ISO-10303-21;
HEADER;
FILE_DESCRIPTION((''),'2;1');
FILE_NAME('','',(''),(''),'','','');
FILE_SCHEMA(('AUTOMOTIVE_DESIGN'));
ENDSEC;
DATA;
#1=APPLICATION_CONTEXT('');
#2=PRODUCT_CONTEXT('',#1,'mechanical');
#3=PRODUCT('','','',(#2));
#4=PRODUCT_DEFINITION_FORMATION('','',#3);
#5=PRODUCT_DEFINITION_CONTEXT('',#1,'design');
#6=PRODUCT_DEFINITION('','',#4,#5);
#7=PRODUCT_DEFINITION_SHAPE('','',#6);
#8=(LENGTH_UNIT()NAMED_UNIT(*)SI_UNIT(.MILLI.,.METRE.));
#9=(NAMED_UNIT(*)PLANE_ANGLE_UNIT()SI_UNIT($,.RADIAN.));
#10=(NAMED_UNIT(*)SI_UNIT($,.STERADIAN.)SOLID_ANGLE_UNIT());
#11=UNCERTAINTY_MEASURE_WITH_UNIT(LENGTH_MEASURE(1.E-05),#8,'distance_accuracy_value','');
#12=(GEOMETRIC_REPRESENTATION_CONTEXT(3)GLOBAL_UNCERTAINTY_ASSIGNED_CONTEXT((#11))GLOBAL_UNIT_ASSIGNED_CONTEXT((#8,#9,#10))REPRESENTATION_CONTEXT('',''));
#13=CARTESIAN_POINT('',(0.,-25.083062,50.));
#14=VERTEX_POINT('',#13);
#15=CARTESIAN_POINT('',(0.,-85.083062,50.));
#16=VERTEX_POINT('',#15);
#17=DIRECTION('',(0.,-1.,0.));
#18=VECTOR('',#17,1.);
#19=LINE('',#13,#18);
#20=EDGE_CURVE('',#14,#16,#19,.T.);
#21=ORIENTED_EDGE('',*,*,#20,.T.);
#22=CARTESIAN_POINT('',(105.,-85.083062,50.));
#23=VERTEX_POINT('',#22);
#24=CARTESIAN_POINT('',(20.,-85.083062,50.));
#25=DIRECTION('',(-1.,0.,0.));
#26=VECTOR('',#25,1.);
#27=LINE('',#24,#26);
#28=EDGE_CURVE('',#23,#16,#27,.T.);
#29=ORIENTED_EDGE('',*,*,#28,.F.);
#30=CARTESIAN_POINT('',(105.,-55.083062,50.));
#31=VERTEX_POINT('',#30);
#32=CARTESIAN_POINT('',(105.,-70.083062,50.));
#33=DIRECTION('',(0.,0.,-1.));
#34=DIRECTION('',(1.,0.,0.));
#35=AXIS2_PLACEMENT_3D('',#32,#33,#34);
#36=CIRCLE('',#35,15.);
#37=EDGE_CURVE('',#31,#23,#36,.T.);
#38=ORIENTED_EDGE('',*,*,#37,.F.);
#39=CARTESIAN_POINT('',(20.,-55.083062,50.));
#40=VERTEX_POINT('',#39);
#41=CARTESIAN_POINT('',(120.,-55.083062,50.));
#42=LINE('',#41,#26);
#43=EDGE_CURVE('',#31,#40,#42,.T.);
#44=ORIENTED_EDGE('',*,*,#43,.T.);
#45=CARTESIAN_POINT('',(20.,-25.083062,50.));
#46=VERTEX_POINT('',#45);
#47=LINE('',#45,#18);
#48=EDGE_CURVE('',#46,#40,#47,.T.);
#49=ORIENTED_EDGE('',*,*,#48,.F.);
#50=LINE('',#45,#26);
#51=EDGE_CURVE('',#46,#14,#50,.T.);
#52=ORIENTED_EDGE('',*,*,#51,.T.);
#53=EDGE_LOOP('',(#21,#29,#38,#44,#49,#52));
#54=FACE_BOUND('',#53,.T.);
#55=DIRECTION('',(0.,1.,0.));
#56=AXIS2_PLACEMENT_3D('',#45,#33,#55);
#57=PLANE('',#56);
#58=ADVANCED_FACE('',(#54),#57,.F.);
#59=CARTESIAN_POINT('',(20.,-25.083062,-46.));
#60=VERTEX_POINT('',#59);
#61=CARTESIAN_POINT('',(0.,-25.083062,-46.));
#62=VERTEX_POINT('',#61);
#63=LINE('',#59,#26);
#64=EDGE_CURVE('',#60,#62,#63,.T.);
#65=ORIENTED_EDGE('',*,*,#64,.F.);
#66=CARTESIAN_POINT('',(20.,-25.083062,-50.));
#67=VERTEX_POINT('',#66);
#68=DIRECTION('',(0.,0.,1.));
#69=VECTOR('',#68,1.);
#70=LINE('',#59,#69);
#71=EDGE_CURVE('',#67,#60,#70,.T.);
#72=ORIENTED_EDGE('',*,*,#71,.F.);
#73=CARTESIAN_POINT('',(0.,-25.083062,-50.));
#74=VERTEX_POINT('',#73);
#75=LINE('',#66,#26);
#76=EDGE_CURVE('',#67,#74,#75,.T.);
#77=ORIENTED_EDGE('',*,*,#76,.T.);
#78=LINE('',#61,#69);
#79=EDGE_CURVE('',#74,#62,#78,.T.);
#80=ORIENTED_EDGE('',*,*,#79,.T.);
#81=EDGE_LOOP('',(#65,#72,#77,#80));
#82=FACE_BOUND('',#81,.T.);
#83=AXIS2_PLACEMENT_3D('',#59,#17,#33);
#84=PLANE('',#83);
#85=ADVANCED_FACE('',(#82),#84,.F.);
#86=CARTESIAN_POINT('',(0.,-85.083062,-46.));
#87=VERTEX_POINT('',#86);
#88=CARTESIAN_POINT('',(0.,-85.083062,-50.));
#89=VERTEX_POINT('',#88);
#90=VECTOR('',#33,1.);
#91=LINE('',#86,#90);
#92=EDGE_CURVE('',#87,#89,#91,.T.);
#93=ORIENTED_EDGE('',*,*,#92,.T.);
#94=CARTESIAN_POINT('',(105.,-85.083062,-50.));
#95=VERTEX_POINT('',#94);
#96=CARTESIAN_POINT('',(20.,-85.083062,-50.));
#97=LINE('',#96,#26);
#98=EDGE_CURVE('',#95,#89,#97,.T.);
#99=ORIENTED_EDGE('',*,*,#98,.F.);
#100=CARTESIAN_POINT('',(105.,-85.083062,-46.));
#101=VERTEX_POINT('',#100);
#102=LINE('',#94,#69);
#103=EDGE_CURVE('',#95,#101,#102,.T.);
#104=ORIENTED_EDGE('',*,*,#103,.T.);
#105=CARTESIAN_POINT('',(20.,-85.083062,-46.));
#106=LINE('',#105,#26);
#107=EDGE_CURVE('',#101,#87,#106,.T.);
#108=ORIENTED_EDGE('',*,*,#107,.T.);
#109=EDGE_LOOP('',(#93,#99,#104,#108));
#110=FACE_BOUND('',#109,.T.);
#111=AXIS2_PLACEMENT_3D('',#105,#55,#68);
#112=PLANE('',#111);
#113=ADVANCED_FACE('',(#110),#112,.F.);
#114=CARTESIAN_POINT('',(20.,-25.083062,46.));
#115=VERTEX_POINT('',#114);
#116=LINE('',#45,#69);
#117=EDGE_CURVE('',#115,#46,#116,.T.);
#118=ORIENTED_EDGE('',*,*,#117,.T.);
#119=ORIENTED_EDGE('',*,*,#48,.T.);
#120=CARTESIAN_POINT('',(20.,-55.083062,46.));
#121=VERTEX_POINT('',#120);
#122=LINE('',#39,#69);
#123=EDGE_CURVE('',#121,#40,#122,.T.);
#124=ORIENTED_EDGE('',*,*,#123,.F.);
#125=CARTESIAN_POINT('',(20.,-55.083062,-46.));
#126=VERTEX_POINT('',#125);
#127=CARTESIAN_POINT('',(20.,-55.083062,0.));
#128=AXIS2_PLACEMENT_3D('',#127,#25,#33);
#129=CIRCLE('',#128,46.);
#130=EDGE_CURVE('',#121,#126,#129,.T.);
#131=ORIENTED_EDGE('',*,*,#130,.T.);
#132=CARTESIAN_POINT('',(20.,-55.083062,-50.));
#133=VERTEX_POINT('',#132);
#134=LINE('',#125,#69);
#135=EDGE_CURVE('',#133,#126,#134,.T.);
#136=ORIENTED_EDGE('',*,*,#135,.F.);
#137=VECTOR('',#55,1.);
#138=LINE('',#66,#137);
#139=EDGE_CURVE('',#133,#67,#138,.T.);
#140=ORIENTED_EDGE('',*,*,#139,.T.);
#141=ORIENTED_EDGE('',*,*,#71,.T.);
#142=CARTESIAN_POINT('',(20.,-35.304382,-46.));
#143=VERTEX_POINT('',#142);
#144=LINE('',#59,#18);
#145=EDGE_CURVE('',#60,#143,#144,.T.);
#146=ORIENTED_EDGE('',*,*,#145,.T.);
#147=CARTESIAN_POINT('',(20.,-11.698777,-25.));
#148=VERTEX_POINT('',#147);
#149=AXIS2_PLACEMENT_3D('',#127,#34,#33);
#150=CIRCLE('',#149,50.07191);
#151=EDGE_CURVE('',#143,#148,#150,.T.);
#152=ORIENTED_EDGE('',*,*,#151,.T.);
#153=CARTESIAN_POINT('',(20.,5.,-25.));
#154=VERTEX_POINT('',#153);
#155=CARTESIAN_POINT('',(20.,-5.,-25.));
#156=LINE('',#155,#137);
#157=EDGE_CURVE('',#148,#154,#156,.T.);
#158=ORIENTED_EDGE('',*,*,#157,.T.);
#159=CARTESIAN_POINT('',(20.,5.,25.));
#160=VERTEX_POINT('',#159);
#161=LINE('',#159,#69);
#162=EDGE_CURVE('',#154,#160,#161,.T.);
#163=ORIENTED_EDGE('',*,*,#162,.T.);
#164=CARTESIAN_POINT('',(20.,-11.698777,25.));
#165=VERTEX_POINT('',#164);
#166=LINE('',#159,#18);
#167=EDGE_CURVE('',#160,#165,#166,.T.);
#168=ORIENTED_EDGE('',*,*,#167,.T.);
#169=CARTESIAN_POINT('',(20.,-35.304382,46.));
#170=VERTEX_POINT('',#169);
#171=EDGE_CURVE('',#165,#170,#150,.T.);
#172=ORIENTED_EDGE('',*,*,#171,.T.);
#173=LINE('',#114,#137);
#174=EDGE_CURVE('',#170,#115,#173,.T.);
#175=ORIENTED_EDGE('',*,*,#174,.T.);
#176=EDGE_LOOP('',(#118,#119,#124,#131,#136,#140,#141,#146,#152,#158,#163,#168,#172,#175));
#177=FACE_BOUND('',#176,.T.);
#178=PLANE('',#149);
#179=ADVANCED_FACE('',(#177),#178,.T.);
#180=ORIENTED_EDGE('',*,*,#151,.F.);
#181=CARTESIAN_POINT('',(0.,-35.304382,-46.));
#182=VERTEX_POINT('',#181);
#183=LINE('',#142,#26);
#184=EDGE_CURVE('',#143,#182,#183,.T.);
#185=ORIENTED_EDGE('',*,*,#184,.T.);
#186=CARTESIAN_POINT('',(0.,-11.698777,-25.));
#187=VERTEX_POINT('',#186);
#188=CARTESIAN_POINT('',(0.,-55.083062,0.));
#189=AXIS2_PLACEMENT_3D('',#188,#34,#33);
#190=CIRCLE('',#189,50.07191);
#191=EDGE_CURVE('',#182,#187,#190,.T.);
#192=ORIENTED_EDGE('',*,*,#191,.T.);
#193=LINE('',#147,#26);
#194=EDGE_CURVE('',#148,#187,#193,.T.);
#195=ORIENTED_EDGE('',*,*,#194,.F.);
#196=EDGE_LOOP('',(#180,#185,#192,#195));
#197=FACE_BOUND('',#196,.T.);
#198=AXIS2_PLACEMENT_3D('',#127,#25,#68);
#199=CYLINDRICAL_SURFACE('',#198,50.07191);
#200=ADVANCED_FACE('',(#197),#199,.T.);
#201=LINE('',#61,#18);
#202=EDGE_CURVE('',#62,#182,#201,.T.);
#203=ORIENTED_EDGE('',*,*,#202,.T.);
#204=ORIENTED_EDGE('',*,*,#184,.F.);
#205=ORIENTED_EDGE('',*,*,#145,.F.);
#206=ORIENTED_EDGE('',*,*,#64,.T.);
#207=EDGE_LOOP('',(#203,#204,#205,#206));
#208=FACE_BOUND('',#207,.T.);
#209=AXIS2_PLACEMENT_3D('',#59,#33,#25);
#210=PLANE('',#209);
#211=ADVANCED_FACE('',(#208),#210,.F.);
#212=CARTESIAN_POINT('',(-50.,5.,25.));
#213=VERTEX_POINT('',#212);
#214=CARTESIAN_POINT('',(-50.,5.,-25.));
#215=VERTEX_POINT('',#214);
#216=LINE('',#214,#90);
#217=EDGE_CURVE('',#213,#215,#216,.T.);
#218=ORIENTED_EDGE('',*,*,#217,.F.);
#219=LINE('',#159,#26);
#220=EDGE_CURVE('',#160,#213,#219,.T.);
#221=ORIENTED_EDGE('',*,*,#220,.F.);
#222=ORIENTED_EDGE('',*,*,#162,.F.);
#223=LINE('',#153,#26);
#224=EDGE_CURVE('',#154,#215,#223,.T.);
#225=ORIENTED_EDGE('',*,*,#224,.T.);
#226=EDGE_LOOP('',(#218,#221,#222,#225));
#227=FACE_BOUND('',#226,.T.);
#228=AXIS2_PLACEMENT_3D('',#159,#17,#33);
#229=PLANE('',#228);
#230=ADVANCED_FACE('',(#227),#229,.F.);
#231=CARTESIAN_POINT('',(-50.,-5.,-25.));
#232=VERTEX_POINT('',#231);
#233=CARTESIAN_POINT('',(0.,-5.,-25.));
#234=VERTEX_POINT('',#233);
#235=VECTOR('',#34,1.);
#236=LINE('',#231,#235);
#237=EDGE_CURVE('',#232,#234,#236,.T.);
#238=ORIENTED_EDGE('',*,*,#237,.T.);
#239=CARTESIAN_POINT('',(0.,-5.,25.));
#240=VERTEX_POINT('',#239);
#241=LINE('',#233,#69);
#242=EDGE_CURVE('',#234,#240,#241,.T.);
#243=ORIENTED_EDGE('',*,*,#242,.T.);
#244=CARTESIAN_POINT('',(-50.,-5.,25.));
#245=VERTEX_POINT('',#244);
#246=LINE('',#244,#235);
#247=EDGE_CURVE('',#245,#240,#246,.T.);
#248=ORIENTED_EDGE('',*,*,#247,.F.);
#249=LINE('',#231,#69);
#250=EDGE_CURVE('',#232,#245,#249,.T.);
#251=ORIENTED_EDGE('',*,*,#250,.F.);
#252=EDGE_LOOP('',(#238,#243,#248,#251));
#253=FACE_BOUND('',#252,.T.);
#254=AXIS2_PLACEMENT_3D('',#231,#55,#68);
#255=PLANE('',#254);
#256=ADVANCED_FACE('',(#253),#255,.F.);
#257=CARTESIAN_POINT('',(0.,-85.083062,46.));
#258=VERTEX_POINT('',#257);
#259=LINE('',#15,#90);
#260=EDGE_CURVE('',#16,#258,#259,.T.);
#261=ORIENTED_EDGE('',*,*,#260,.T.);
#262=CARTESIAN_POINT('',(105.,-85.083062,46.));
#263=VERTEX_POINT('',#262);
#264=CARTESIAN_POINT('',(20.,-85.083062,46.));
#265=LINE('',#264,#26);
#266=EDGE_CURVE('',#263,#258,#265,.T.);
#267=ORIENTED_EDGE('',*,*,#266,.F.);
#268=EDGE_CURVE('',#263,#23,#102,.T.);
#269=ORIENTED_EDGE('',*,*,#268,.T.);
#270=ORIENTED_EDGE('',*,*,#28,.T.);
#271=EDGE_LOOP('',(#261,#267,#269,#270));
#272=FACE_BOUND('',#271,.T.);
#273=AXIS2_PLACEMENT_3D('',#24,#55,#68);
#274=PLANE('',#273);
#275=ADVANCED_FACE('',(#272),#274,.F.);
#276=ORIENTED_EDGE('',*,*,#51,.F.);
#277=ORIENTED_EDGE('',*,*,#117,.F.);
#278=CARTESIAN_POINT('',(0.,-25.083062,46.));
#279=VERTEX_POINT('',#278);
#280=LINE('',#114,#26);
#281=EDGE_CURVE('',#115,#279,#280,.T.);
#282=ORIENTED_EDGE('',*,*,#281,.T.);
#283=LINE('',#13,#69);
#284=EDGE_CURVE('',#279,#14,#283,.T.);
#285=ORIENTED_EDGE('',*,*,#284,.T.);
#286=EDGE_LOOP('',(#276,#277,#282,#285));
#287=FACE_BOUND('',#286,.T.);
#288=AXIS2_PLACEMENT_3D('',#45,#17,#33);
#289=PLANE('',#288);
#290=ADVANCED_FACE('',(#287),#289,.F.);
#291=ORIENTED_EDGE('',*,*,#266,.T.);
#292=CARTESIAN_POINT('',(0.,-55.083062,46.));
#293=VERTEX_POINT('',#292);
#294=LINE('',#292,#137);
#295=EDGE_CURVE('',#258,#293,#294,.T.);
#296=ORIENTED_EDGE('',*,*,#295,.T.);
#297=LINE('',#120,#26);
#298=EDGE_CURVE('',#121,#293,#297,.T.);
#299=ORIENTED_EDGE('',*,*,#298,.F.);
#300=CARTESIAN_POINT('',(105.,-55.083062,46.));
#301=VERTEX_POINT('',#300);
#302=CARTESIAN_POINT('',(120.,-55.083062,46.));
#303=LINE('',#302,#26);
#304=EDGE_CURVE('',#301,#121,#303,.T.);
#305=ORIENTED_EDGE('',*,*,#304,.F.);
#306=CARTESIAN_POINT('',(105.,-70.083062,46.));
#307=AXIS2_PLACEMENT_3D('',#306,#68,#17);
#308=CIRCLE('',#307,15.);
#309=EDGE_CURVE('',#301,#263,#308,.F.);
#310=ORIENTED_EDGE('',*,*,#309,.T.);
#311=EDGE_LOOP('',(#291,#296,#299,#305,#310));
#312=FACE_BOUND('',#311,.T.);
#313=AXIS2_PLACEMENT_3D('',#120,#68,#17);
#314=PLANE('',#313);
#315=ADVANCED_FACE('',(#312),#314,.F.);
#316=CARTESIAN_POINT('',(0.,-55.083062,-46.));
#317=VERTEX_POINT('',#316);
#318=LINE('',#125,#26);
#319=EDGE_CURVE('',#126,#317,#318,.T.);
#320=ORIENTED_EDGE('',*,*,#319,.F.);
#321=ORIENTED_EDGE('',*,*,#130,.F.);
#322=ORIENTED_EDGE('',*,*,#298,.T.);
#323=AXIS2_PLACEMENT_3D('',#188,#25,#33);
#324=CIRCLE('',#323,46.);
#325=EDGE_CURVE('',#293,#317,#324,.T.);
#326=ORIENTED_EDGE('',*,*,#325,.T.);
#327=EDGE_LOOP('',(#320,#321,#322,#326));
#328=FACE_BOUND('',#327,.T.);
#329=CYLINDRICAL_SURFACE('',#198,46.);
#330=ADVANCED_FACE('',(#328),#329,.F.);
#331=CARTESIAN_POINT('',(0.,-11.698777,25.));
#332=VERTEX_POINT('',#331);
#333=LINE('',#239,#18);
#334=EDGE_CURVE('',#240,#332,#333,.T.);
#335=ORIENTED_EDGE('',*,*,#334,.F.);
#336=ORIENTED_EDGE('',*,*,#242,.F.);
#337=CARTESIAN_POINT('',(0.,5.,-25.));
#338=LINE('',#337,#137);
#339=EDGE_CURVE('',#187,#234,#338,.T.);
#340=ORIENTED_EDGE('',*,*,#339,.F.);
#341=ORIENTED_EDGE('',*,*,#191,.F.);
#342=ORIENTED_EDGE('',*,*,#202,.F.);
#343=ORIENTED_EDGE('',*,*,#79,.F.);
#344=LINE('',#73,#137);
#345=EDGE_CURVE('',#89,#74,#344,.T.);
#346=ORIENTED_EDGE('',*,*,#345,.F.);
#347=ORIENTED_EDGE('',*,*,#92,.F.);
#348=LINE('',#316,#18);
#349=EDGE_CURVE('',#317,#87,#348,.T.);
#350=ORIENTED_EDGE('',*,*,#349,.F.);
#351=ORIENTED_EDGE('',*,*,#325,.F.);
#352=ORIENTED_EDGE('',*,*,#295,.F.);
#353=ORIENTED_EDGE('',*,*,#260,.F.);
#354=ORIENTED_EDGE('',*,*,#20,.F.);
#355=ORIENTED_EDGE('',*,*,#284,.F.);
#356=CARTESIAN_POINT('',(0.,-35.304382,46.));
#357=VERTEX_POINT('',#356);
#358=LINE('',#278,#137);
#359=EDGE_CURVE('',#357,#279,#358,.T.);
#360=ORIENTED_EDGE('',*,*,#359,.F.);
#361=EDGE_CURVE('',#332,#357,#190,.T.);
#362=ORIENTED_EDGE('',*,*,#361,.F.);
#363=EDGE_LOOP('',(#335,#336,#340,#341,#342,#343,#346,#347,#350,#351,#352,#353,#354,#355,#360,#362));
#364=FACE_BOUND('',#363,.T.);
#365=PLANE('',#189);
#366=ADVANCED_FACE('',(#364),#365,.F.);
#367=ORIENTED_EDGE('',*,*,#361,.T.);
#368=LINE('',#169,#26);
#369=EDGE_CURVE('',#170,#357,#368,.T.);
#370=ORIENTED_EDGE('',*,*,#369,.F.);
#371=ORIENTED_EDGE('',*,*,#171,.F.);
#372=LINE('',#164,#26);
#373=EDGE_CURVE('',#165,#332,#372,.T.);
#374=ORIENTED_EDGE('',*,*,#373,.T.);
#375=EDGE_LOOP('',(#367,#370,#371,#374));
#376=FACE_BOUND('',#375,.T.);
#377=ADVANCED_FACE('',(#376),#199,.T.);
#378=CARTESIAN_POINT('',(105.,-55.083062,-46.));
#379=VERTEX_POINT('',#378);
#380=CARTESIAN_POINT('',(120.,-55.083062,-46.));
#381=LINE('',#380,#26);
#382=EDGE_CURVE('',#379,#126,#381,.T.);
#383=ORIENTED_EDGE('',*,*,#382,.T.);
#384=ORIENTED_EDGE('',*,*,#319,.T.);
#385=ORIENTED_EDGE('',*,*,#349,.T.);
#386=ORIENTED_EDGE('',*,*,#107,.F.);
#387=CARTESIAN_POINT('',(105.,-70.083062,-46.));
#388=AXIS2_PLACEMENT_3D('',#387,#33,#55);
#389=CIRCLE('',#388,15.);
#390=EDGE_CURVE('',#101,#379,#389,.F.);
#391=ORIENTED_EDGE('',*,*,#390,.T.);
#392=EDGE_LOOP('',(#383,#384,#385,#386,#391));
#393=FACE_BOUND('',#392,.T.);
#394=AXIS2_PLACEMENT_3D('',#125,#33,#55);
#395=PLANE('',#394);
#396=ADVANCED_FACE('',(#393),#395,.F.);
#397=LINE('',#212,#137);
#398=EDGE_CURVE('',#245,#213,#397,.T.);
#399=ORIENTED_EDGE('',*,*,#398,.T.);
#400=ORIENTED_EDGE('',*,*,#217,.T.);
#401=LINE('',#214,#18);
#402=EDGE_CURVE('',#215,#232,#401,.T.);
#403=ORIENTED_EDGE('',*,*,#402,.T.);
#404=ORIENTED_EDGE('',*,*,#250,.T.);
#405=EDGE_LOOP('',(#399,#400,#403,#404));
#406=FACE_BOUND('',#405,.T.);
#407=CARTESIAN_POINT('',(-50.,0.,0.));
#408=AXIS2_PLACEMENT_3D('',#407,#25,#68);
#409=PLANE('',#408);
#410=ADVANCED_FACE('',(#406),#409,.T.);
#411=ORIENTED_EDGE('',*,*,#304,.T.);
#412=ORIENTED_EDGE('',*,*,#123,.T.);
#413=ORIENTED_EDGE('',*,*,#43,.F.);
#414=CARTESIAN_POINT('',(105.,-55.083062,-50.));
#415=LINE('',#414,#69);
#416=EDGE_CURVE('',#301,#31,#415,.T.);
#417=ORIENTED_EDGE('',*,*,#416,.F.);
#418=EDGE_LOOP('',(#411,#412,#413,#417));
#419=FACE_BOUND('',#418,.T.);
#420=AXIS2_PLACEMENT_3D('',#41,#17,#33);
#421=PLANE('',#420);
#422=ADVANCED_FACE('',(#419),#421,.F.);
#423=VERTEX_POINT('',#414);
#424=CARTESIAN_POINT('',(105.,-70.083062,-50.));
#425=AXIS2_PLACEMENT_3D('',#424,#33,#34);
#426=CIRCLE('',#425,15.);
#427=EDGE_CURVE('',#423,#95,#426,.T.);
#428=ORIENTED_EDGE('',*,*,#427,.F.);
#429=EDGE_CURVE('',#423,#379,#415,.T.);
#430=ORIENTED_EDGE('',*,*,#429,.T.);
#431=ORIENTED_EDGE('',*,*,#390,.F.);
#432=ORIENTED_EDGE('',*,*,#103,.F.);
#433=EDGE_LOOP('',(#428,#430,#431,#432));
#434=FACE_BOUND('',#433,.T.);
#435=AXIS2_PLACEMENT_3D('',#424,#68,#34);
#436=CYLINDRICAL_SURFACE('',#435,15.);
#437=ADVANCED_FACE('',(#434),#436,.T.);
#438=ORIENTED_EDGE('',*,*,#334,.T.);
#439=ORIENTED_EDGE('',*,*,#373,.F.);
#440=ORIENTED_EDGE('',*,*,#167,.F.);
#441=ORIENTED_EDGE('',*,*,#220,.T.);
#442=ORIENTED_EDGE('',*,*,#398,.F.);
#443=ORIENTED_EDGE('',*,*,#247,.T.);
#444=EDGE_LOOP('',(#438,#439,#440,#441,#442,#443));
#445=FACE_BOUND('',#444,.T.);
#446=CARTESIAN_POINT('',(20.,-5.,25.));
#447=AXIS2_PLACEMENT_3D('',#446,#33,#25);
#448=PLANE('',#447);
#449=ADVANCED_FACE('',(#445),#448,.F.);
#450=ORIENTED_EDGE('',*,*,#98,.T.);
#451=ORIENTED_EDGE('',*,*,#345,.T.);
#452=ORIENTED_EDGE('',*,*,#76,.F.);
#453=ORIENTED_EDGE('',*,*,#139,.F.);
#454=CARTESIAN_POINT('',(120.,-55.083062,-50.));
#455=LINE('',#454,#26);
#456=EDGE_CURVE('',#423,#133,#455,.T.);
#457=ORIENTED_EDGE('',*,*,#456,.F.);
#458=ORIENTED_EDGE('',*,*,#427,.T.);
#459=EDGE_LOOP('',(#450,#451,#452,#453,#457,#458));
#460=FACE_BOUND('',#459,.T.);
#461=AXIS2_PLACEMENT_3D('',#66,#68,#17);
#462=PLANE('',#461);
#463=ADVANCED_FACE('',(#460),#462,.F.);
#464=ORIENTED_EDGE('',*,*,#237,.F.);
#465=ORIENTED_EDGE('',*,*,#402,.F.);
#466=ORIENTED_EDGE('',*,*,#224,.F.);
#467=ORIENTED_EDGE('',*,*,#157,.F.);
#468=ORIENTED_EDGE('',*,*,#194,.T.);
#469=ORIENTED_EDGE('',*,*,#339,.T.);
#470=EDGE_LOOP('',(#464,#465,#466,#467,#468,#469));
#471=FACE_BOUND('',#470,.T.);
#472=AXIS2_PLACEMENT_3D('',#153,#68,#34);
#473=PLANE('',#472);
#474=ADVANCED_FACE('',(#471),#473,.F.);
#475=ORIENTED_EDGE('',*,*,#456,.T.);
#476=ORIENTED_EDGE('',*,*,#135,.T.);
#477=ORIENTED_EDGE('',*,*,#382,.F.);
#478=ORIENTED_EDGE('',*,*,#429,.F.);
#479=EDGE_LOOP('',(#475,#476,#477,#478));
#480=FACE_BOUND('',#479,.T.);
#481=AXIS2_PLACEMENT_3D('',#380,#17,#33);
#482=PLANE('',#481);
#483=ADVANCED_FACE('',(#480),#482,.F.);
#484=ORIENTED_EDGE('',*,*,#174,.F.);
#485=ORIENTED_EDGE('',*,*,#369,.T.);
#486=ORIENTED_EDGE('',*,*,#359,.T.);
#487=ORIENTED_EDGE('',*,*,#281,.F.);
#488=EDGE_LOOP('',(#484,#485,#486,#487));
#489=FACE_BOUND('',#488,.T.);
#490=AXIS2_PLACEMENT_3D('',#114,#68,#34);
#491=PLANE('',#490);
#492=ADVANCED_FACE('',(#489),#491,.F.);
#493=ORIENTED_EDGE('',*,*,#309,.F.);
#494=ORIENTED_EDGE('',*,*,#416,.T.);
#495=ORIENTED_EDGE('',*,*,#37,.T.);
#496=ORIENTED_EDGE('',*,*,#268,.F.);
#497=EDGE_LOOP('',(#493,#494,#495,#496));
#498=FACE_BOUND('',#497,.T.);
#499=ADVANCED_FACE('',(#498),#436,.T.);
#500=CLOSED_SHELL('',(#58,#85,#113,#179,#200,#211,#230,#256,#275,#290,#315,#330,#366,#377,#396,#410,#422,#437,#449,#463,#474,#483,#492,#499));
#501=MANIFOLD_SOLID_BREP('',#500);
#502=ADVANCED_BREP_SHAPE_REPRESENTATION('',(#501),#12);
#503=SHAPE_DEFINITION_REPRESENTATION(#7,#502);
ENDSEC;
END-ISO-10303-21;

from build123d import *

# Parameters (mm, degrees)
EXTRUDE_1_DEPTH     = 20
SKETCH_2_W          = 4
SKETCH_2_H          = 30
EXTRUDE_2_DEPTH     = 100
CUT_EXTRUDE_1_DEPTH = 100
SKETCH_4_W          = 50
SKETCH_4_H          = 10
EXTRUDE_3_DEPTH     = 50


with BuildPart() as part:
    # 草图1 → 凸台-拉伸1 (new body)
    with BuildSketch(Plane(origin=(0, 0, 0), x_dir=(0, 0, -1), z_dir=(1, 0, 0))):
        with BuildLine():
            Line((-25, 5), (25, 5))
            Line((25, 5), (25, -5))
            Line((25, -5), (25, -11.698777218))
            ThreePointArc((25, -11.698777218), (37.410642162, -21.801835726), (46, -35.304382227))
            Line((46, -35.304382227), (46, -25.083062159))
            Line((46, -25.083062159), (50, -25.083062159))
            Line((50, -25.083062159), (50, -85.083062159))
            Line((50, -85.083062159), (46, -85.083062159))
            Line((46, -85.083062159), (46, -55.083062159))
            ThreePointArc((46, -55.083062159), (0, -9.083062159), (-46, -55.083062159))
            Line((-46, -55.083062159), (-46, -85.083062159))
            Line((-46, -85.083062159), (-50, -85.083062159))
            Line((-50, -85.083062159), (-50, -25.083062159))
            Line((-50, -25.083062159), (-46, -25.083062159))
            Line((-46, -25.083062159), (-46, -35.304382227))
            ThreePointArc((-46, -35.304382227), (-37.410642162, -21.801835726), (-25, -11.698777218))
            Line((-25, -11.698777218), (-25, -5))
            Line((-25, -5), (-25, 5))
        make_face()
    extrude(amount=EXTRUDE_1_DEPTH)

    # 草图2 → 凸台-拉伸2 (add)
    with BuildSketch(Plane(origin=(20, 0, 0), x_dir=(0, 0, -1), z_dir=(1, 0, 0))):
        with Locations((-48, -70.083062159)):
            Rectangle(SKETCH_2_W, SKETCH_2_H)
        with Locations((48, -70.083062159)):
            Rectangle(SKETCH_2_W, SKETCH_2_H)
    extrude(amount=EXTRUDE_2_DEPTH)

    # 草图3 → 切除-拉伸1 (cut)
    with BuildSketch(Plane.XY.offset(50)):
        with BuildLine():
            Line((105, -55.083062159), (132.360099234, -55.083062159))
            Line((132.360099234, -55.083062159), (132.360099234, -85.083062159))
            Line((132.360099234, -85.083062159), (105, -85.083062159))
            ThreePointArc((105, -85.083062159), (120, -70.083062159), (105, -55.083062159))
        make_face()
    extrude(amount=-CUT_EXTRUDE_1_DEPTH, mode=Mode.SUBTRACT)

    # 草图4 → 凸台-拉伸3 (add)
    with BuildSketch(Plane.ZY):
        Rectangle(SKETCH_4_W, SKETCH_4_H)
    extrude(amount=EXTRUDE_3_DEPTH)


solid = part.part
